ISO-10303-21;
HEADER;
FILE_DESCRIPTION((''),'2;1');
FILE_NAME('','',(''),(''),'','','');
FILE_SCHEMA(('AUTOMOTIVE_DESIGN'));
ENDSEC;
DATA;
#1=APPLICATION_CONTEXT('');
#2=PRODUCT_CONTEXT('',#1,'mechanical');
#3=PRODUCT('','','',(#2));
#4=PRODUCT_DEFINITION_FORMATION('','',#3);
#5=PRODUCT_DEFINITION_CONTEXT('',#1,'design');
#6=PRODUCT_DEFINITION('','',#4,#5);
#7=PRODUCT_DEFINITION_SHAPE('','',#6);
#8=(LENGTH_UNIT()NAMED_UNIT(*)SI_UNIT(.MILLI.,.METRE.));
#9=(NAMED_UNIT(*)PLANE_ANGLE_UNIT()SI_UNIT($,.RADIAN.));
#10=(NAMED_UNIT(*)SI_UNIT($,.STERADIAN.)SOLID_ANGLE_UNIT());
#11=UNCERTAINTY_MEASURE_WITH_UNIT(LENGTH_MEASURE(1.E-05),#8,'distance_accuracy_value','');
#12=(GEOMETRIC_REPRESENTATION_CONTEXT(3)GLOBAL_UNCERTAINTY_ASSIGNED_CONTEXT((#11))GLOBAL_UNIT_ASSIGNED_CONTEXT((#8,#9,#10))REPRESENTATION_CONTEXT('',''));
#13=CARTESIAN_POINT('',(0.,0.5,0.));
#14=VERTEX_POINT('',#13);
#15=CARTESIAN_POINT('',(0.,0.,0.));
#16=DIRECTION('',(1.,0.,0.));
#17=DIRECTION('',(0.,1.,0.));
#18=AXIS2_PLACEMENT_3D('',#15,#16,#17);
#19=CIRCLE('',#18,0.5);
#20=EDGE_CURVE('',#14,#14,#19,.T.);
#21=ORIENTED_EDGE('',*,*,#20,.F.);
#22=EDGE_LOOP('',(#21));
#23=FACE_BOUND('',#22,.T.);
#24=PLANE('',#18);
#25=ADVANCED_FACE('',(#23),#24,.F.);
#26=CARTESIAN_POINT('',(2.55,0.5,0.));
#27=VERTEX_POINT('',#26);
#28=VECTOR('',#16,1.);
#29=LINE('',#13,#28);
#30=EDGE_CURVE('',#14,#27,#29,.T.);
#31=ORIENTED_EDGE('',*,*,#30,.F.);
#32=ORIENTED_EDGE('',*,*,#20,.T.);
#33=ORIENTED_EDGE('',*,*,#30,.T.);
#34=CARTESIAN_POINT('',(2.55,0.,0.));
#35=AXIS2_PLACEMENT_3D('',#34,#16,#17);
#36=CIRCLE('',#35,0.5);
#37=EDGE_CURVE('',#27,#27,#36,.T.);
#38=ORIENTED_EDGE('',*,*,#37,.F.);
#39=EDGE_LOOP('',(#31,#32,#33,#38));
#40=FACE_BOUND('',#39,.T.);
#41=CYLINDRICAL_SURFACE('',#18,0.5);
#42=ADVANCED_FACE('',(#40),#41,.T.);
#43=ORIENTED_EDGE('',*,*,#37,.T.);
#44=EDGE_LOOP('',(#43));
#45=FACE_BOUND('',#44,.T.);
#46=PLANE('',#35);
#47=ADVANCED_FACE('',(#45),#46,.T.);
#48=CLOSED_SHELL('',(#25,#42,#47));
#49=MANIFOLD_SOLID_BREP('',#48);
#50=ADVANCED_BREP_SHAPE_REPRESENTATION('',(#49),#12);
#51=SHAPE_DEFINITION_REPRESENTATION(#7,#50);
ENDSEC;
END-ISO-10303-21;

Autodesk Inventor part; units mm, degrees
ref_plane "Start Plane" through (0, 0, 0) normal (1, 0, 0) x (0, 1, 0)
ref_plane "XZ Plane" through (0, 0, 0) normal (0, 1, 0) x (-1, 0, 0)
ref_plane "XY Plane" through (0, 0, 0) normal (0, 0, 1) x (1, 0, 0)
sketch "Main Sketch" plane through (0, 0, 0) normal (0, 0, 1) x (1, 0, 0)
  line L0 (0, 0) -> (2.55, 0)
  line L1 (0, 0) -> (0, 0.5)
  line L2 (2.55, 0.5) -> (2.55, 0)
  line L3 (0, 0.5) -> (2.55, 0.5)
  dimension "d3" = 1
revolve "Revolution1" add sketch "Main Sketch" angle 360 about axis through (0, 0, 0) along (1, 0, 0)
equation "\"Length\" = 2.55"
properties part number "Shaft" material "Steel"
